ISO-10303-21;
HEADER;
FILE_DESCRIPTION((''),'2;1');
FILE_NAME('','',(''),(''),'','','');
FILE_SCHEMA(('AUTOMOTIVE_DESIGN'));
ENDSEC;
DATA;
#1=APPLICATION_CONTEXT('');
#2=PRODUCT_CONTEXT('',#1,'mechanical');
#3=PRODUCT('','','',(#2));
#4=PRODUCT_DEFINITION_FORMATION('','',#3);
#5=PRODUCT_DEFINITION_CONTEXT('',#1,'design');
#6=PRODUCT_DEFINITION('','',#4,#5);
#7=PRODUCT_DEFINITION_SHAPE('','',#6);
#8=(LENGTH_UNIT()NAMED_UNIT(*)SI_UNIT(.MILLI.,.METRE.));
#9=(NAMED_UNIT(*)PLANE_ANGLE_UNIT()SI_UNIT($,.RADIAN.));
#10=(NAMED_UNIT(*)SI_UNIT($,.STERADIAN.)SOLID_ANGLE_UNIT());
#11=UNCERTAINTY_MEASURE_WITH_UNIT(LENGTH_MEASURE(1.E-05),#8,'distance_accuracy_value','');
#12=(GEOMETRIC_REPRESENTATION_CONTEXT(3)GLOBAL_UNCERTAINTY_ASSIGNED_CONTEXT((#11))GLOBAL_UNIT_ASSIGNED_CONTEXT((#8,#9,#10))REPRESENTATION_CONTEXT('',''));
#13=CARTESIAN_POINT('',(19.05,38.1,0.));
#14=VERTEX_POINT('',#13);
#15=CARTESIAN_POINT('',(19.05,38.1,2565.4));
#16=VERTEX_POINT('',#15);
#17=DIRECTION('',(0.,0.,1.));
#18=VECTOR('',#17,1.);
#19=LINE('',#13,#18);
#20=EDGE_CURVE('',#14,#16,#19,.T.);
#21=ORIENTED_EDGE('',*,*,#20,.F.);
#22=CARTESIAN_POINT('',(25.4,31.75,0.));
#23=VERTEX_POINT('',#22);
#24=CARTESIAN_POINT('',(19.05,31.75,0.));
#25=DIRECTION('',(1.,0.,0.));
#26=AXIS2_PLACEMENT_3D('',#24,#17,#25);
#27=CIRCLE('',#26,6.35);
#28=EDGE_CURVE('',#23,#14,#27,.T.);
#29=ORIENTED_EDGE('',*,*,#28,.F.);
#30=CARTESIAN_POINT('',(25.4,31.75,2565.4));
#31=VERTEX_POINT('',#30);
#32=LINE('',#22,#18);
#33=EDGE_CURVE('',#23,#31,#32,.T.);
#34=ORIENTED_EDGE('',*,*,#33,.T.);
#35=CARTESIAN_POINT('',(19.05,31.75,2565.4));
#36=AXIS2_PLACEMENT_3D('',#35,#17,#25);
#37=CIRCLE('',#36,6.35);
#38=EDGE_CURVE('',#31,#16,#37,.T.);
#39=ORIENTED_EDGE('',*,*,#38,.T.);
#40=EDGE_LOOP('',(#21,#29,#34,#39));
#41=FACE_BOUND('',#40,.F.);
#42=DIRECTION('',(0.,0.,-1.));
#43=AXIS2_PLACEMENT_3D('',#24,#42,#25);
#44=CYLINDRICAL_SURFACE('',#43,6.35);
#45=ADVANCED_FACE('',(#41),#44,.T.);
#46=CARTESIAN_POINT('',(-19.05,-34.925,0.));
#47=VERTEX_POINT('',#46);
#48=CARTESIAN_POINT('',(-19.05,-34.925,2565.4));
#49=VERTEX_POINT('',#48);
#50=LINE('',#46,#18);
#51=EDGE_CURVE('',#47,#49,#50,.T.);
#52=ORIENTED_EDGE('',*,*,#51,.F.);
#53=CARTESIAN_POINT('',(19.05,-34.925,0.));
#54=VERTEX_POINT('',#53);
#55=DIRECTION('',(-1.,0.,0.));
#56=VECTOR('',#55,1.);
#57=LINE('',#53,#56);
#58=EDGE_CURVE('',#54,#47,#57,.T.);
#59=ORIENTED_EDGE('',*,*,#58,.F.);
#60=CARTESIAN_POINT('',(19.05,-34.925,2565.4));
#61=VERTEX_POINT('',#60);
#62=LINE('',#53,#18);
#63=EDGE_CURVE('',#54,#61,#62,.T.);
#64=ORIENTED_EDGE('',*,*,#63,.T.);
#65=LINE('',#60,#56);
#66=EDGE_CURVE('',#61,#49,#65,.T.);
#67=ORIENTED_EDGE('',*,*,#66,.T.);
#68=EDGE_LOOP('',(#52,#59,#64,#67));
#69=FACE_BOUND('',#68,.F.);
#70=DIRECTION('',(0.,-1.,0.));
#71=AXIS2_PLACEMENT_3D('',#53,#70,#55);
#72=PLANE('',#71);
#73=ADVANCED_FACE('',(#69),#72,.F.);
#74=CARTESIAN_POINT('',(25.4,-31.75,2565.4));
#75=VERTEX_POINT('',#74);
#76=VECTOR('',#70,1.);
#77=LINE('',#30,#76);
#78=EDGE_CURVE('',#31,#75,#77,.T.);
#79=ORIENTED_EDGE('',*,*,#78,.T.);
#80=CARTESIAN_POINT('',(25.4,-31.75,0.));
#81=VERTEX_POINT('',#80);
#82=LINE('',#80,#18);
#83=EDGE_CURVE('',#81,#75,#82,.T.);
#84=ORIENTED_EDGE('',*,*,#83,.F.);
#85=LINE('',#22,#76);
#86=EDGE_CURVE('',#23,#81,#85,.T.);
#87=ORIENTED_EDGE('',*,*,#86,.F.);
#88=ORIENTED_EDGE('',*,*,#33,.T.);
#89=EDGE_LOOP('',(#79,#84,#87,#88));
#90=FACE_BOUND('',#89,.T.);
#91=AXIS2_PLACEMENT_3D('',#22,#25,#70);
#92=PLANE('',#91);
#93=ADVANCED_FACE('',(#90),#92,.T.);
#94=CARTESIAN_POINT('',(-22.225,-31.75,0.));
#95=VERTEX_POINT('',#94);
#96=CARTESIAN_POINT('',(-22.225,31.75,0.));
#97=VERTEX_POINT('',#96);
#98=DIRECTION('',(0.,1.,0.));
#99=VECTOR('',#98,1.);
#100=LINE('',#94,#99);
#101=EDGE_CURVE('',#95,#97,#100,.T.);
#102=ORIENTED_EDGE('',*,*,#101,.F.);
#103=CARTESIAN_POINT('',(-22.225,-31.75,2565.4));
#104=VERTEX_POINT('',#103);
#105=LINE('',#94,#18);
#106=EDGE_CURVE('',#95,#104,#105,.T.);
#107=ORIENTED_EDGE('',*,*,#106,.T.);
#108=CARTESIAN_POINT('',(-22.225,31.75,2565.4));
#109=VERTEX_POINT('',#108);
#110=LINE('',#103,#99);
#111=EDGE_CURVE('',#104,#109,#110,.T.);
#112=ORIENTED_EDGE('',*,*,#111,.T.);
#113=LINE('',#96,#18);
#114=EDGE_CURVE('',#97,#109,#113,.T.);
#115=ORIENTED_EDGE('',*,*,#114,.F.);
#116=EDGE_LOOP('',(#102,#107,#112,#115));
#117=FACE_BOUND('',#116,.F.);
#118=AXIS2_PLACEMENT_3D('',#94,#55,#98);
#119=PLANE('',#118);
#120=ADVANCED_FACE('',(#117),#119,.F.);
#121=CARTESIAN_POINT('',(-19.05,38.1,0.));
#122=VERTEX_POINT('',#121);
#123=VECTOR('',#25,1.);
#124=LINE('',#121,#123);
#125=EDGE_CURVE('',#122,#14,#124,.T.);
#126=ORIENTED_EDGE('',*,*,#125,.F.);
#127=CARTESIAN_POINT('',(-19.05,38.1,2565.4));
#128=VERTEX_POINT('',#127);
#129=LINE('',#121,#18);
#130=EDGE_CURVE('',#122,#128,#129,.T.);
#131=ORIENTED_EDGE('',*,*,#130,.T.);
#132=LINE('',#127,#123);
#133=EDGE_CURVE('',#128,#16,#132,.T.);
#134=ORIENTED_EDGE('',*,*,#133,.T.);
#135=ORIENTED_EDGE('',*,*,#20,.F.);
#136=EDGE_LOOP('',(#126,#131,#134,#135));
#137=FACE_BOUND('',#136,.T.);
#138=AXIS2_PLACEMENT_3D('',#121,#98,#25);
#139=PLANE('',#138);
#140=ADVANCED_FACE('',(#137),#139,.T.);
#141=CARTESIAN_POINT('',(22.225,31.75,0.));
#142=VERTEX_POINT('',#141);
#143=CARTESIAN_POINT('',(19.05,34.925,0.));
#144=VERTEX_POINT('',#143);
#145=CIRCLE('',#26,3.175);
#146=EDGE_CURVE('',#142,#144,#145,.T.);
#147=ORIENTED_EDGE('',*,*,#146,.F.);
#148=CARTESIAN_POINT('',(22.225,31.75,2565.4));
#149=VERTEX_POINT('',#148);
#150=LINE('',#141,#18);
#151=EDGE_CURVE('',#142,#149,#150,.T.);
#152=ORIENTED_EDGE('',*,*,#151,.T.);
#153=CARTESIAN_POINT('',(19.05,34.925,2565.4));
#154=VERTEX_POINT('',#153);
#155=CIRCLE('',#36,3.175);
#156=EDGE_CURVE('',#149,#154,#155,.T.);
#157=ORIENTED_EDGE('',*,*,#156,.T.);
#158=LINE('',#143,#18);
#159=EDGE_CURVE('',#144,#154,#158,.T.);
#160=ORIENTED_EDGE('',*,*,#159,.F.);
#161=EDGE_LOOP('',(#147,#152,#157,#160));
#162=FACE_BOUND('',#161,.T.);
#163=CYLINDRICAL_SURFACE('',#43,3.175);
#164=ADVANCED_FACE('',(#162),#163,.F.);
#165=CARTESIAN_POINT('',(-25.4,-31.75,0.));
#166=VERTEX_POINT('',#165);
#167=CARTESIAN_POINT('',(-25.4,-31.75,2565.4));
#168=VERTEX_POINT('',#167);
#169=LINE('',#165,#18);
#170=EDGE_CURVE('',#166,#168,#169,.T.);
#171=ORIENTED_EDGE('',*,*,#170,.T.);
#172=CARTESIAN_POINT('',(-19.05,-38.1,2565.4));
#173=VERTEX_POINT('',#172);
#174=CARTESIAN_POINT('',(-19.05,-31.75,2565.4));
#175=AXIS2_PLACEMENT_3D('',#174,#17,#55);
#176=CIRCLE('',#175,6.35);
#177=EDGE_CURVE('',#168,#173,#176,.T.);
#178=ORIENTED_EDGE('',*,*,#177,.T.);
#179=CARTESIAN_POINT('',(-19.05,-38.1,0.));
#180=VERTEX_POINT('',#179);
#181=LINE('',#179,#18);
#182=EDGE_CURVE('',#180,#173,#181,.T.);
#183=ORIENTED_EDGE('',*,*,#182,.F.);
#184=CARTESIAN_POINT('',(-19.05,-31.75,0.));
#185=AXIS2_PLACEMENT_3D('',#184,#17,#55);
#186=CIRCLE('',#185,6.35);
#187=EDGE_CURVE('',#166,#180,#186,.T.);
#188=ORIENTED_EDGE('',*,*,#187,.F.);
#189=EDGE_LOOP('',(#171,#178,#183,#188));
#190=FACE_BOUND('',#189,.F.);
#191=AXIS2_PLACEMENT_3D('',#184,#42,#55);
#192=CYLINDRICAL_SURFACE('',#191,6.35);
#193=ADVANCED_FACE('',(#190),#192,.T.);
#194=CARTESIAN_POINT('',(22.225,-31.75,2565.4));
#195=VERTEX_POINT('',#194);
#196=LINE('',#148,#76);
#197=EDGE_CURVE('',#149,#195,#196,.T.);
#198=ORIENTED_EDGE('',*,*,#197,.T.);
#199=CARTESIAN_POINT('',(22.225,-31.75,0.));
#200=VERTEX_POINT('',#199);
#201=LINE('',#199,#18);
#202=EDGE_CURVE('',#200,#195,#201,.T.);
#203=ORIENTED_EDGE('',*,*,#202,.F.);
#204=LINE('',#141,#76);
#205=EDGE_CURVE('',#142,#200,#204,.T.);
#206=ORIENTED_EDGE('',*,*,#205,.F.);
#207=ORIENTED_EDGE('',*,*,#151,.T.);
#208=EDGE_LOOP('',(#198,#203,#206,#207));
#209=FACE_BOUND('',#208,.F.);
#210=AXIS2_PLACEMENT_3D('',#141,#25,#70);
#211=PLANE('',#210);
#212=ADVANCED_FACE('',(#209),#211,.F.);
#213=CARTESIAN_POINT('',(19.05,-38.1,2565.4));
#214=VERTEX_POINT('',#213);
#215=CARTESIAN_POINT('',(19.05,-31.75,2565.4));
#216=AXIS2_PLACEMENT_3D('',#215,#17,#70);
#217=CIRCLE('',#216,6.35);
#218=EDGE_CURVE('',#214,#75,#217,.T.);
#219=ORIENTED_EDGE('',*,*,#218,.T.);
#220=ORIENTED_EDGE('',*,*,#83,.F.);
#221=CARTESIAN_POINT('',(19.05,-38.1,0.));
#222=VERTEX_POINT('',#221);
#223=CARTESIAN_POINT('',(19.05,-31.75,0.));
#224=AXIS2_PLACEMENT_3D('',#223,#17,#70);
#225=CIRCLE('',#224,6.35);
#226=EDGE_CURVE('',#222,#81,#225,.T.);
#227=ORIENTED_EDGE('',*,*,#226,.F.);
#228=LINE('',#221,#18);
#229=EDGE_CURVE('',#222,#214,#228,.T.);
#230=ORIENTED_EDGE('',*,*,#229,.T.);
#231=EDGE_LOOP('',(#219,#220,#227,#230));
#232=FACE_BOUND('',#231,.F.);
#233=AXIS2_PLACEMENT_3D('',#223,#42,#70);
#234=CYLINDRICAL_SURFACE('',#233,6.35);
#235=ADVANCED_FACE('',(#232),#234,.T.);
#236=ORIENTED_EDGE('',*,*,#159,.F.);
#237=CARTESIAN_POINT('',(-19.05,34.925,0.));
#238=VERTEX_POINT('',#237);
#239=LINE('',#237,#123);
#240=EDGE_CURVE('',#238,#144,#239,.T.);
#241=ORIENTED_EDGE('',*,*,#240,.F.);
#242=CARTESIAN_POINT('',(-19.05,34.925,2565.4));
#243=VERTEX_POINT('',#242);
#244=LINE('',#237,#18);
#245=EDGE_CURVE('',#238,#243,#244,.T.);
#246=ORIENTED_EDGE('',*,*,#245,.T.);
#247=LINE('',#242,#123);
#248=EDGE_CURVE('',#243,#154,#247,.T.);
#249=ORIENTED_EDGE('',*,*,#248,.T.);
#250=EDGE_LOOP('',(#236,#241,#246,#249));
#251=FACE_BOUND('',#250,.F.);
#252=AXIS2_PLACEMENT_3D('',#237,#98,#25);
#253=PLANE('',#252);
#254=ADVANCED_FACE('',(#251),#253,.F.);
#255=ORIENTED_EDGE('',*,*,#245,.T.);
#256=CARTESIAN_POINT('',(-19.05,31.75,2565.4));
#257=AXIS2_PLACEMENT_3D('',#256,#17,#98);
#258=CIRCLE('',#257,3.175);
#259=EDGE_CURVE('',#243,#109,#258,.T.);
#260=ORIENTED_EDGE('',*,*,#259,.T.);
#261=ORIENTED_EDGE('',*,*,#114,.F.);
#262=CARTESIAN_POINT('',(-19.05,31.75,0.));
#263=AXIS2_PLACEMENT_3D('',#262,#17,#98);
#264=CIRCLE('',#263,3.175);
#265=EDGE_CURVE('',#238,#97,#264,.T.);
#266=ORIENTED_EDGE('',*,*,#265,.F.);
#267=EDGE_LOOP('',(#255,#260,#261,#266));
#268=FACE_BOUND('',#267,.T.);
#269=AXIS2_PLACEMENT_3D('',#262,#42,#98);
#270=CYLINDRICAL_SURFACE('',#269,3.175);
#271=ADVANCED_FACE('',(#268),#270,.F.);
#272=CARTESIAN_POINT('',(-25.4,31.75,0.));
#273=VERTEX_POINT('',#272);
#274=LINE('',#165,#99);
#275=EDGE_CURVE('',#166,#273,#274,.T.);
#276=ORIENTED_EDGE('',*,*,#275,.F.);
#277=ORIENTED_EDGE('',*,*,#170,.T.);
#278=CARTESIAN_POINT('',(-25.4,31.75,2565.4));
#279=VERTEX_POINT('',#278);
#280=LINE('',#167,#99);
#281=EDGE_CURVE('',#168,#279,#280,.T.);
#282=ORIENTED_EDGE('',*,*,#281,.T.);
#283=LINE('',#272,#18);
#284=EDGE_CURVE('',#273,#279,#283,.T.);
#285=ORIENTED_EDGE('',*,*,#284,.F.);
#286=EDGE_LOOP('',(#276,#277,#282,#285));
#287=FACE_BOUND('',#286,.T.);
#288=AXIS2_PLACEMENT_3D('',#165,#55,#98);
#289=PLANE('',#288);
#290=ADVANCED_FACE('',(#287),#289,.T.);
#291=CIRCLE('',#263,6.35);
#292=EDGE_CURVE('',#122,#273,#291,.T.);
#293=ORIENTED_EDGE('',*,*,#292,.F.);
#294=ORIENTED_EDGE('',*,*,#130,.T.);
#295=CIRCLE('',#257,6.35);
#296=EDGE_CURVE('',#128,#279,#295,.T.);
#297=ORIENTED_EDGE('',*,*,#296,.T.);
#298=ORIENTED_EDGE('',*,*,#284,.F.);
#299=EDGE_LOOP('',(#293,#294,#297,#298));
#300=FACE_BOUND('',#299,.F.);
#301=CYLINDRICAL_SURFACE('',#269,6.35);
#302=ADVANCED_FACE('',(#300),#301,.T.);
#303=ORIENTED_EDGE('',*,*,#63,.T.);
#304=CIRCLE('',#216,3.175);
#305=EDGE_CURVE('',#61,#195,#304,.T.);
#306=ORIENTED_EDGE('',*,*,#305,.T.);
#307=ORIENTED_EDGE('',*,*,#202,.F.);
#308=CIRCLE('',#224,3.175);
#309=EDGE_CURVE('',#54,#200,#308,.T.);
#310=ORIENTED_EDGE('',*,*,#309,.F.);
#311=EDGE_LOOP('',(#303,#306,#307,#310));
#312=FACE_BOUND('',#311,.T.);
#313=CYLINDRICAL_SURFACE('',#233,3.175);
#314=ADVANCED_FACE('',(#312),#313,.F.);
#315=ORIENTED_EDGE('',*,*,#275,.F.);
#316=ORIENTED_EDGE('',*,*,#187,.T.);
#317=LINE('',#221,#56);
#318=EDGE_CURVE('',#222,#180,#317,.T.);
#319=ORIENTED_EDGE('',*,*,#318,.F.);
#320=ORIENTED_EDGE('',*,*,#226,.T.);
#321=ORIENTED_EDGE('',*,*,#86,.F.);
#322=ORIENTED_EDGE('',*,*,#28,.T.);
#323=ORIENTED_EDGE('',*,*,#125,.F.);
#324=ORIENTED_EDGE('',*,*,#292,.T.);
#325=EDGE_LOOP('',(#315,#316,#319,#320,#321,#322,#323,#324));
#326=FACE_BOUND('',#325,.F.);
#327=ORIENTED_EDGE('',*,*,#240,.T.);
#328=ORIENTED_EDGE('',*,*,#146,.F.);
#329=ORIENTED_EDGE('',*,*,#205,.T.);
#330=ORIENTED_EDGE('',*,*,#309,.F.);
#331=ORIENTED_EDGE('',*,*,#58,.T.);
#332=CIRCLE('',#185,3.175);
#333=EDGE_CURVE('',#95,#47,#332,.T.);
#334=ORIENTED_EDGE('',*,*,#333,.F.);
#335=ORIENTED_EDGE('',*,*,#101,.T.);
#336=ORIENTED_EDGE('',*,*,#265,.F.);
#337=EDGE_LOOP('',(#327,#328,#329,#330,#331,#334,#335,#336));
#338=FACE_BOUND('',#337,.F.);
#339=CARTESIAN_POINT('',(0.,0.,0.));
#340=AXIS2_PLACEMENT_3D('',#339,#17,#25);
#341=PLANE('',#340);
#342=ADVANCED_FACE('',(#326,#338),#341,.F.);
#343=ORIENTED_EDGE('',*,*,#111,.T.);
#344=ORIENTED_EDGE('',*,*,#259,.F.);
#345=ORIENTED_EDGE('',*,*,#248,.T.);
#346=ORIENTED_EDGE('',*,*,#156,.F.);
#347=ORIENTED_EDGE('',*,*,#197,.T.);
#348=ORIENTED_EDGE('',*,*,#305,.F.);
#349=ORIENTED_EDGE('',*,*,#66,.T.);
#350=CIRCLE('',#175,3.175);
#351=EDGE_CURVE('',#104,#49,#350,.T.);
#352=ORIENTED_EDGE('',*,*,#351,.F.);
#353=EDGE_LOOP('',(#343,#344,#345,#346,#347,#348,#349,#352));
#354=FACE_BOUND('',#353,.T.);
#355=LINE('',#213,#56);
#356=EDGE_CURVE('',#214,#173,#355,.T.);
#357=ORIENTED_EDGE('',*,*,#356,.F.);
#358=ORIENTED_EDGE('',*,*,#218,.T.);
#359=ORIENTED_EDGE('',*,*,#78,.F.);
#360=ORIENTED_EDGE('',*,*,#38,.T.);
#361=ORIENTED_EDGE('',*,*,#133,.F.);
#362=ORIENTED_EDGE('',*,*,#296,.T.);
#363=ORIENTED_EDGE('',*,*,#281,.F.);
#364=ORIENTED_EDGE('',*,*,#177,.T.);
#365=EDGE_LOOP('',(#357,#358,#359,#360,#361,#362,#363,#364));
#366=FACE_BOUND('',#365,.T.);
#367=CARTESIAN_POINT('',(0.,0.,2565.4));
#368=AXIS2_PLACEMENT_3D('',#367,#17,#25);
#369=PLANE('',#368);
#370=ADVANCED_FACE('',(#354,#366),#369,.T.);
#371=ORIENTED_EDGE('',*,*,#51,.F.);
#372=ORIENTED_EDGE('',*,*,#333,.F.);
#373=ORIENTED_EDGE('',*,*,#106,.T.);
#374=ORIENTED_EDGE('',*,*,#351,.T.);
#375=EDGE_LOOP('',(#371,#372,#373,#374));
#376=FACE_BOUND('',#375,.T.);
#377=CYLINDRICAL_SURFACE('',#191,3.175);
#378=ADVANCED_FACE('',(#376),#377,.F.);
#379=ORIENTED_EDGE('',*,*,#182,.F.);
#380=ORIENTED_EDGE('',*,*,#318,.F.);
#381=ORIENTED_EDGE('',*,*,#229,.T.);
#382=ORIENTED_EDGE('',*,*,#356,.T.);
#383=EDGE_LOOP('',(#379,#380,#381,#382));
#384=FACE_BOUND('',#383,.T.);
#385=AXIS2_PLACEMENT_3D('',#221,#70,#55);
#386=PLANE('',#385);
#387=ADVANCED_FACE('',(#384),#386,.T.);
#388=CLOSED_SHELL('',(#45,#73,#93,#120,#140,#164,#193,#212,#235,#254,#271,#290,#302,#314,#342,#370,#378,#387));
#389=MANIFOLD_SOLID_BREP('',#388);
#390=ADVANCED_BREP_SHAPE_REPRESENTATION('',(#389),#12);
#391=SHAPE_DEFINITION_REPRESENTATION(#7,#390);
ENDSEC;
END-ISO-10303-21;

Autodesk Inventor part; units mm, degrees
ref_plane "Start Plane" through (0, 0, 0) normal (0, 0, 1) x (1, 0, 0)
ref_plane "End Plane" through (0, 0, 2565.4) normal (0, 0, 1) x (1, 0, 0)
sketch "Sketch" plane through (0, 0, 0) normal (0, 0, 1) x (1, 0, 0)
  line L0 (-25.4, -31.75) -> (-25.4, 31.75)
  line L1 (-19.05, 38.1) -> (19.05, 38.1)
  line L2 (25.4, 31.75) -> (25.4, -31.75)
  line L3 (19.05, -38.1) -> (-19.05, -38.1)
  arc A0 (-25.4, -31.75) -> (-19.05, -38.1) centre (-19.05, -31.75) ccw
  arc A1 (-19.05, 38.1) -> (-25.4, 31.75) centre (-19.05, 31.75) ccw
  arc A2 (25.4, 31.75) -> (19.05, 38.1) centre (19.05, 31.75) ccw
  arc A3 (19.05, -38.1) -> (25.4, -31.75) centre (19.05, -31.75) ccw
  arc A4 (-19.05, 34.925) -> (-22.225, 31.75) centre (-19.05, 31.75) ccw
  line L4 (-19.05, 34.925) -> (19.05, 34.925)
  arc A5 (22.225, 31.75) -> (19.05, 34.925) centre (19.05, 31.75) ccw
  line L5 (22.225, 31.75) -> (22.225, -31.75)
  arc A6 (19.05, -34.925) -> (22.225, -31.75) centre (19.05, -31.75) ccw
  line L6 (19.05, -34.925) -> (-19.05, -34.925)
  arc A7 (-22.225, -31.75) -> (-19.05, -34.925) centre (-19.05, -31.75) ccw
  line L7 (-22.225, -31.75) -> (-22.225, 31.75)
  line L8 (0, 55.1812) -> (0, -55.1812) construction
  line L9 (-37.4012, 0) -> (37.4012, 0) construction
  dimension "d10" = 76.2
  dimension "d11" = 50.8
  dimension "d12" = 3.175
  dimension "d15" = 38.1
  dimension "d16" = 25.4
  dimension "d17" = 6.35
extrude "Body" add sketch "Sketch" along normal up to surface (2565.4 mm away) from surface at 0
sketch "Sketch3" plane through (0, 0, 0) normal (0, 0, 1) x (1, 0, 0)
  line L0 (0, 0) -> (10, 0)
ref_plane "Work Plane3" through (0, 0, 0) normal (0, -1, 0) x (1, 0, 0)
ref_plane "Work Plane4" through (1219.169, 0, 0) normal (0, 0, -1) x (-1, 0, 0)
split "Split1" plane through (1219.169, 0, 0) removes the side toward (0, 0, -1)
ref_plane "Work Plane5" through (-25.4, 0, 2565.4) normal (0, 0, 1) x (1, 0, 0)
split "Split2" plane through (-25.4, 0, 2565.4) removes the side toward (0, 0, 1)
sketch "Sketch4" plane through (0, 0, 0) normal (0, -1, 0) x (1, 0, 0)
  line L0 (-2, 0) -> (12, 0) projected
  line L1 (-2, 2565.4) -> (12, 2565.4) projected
  dimension "d19" = 2565.4
equation "\"d10\" = G_H"
equation "\"d11\" = G_W"
equation "\"d12\" = G_T"
equation "\"d15\" = 0.5 * d10"
equation "\"d16\" = 0.5 * d11"
equation "\"d17\" = G_IR"
equation "\"d3\" = G_L"
equation "\"G_W\" = 50.8"
equation "\"G_H\" = 76.2"
equation "\"G_T\" = 3.175"
equation "\"G_IR\" = 6.35"
equation "\"G_L\" = d19"
equation "\"G_OFFSET_START\" = 0"
equation "\"G_OFFSET_END\" = 0"
equation "\"d14\" = G_OFFSET_END + B_L"
equation "\"B_L\" = 2565.4"
properties part number "AISC - 3 x 2 x 1/8 - 101" material "Steel, Mild"
